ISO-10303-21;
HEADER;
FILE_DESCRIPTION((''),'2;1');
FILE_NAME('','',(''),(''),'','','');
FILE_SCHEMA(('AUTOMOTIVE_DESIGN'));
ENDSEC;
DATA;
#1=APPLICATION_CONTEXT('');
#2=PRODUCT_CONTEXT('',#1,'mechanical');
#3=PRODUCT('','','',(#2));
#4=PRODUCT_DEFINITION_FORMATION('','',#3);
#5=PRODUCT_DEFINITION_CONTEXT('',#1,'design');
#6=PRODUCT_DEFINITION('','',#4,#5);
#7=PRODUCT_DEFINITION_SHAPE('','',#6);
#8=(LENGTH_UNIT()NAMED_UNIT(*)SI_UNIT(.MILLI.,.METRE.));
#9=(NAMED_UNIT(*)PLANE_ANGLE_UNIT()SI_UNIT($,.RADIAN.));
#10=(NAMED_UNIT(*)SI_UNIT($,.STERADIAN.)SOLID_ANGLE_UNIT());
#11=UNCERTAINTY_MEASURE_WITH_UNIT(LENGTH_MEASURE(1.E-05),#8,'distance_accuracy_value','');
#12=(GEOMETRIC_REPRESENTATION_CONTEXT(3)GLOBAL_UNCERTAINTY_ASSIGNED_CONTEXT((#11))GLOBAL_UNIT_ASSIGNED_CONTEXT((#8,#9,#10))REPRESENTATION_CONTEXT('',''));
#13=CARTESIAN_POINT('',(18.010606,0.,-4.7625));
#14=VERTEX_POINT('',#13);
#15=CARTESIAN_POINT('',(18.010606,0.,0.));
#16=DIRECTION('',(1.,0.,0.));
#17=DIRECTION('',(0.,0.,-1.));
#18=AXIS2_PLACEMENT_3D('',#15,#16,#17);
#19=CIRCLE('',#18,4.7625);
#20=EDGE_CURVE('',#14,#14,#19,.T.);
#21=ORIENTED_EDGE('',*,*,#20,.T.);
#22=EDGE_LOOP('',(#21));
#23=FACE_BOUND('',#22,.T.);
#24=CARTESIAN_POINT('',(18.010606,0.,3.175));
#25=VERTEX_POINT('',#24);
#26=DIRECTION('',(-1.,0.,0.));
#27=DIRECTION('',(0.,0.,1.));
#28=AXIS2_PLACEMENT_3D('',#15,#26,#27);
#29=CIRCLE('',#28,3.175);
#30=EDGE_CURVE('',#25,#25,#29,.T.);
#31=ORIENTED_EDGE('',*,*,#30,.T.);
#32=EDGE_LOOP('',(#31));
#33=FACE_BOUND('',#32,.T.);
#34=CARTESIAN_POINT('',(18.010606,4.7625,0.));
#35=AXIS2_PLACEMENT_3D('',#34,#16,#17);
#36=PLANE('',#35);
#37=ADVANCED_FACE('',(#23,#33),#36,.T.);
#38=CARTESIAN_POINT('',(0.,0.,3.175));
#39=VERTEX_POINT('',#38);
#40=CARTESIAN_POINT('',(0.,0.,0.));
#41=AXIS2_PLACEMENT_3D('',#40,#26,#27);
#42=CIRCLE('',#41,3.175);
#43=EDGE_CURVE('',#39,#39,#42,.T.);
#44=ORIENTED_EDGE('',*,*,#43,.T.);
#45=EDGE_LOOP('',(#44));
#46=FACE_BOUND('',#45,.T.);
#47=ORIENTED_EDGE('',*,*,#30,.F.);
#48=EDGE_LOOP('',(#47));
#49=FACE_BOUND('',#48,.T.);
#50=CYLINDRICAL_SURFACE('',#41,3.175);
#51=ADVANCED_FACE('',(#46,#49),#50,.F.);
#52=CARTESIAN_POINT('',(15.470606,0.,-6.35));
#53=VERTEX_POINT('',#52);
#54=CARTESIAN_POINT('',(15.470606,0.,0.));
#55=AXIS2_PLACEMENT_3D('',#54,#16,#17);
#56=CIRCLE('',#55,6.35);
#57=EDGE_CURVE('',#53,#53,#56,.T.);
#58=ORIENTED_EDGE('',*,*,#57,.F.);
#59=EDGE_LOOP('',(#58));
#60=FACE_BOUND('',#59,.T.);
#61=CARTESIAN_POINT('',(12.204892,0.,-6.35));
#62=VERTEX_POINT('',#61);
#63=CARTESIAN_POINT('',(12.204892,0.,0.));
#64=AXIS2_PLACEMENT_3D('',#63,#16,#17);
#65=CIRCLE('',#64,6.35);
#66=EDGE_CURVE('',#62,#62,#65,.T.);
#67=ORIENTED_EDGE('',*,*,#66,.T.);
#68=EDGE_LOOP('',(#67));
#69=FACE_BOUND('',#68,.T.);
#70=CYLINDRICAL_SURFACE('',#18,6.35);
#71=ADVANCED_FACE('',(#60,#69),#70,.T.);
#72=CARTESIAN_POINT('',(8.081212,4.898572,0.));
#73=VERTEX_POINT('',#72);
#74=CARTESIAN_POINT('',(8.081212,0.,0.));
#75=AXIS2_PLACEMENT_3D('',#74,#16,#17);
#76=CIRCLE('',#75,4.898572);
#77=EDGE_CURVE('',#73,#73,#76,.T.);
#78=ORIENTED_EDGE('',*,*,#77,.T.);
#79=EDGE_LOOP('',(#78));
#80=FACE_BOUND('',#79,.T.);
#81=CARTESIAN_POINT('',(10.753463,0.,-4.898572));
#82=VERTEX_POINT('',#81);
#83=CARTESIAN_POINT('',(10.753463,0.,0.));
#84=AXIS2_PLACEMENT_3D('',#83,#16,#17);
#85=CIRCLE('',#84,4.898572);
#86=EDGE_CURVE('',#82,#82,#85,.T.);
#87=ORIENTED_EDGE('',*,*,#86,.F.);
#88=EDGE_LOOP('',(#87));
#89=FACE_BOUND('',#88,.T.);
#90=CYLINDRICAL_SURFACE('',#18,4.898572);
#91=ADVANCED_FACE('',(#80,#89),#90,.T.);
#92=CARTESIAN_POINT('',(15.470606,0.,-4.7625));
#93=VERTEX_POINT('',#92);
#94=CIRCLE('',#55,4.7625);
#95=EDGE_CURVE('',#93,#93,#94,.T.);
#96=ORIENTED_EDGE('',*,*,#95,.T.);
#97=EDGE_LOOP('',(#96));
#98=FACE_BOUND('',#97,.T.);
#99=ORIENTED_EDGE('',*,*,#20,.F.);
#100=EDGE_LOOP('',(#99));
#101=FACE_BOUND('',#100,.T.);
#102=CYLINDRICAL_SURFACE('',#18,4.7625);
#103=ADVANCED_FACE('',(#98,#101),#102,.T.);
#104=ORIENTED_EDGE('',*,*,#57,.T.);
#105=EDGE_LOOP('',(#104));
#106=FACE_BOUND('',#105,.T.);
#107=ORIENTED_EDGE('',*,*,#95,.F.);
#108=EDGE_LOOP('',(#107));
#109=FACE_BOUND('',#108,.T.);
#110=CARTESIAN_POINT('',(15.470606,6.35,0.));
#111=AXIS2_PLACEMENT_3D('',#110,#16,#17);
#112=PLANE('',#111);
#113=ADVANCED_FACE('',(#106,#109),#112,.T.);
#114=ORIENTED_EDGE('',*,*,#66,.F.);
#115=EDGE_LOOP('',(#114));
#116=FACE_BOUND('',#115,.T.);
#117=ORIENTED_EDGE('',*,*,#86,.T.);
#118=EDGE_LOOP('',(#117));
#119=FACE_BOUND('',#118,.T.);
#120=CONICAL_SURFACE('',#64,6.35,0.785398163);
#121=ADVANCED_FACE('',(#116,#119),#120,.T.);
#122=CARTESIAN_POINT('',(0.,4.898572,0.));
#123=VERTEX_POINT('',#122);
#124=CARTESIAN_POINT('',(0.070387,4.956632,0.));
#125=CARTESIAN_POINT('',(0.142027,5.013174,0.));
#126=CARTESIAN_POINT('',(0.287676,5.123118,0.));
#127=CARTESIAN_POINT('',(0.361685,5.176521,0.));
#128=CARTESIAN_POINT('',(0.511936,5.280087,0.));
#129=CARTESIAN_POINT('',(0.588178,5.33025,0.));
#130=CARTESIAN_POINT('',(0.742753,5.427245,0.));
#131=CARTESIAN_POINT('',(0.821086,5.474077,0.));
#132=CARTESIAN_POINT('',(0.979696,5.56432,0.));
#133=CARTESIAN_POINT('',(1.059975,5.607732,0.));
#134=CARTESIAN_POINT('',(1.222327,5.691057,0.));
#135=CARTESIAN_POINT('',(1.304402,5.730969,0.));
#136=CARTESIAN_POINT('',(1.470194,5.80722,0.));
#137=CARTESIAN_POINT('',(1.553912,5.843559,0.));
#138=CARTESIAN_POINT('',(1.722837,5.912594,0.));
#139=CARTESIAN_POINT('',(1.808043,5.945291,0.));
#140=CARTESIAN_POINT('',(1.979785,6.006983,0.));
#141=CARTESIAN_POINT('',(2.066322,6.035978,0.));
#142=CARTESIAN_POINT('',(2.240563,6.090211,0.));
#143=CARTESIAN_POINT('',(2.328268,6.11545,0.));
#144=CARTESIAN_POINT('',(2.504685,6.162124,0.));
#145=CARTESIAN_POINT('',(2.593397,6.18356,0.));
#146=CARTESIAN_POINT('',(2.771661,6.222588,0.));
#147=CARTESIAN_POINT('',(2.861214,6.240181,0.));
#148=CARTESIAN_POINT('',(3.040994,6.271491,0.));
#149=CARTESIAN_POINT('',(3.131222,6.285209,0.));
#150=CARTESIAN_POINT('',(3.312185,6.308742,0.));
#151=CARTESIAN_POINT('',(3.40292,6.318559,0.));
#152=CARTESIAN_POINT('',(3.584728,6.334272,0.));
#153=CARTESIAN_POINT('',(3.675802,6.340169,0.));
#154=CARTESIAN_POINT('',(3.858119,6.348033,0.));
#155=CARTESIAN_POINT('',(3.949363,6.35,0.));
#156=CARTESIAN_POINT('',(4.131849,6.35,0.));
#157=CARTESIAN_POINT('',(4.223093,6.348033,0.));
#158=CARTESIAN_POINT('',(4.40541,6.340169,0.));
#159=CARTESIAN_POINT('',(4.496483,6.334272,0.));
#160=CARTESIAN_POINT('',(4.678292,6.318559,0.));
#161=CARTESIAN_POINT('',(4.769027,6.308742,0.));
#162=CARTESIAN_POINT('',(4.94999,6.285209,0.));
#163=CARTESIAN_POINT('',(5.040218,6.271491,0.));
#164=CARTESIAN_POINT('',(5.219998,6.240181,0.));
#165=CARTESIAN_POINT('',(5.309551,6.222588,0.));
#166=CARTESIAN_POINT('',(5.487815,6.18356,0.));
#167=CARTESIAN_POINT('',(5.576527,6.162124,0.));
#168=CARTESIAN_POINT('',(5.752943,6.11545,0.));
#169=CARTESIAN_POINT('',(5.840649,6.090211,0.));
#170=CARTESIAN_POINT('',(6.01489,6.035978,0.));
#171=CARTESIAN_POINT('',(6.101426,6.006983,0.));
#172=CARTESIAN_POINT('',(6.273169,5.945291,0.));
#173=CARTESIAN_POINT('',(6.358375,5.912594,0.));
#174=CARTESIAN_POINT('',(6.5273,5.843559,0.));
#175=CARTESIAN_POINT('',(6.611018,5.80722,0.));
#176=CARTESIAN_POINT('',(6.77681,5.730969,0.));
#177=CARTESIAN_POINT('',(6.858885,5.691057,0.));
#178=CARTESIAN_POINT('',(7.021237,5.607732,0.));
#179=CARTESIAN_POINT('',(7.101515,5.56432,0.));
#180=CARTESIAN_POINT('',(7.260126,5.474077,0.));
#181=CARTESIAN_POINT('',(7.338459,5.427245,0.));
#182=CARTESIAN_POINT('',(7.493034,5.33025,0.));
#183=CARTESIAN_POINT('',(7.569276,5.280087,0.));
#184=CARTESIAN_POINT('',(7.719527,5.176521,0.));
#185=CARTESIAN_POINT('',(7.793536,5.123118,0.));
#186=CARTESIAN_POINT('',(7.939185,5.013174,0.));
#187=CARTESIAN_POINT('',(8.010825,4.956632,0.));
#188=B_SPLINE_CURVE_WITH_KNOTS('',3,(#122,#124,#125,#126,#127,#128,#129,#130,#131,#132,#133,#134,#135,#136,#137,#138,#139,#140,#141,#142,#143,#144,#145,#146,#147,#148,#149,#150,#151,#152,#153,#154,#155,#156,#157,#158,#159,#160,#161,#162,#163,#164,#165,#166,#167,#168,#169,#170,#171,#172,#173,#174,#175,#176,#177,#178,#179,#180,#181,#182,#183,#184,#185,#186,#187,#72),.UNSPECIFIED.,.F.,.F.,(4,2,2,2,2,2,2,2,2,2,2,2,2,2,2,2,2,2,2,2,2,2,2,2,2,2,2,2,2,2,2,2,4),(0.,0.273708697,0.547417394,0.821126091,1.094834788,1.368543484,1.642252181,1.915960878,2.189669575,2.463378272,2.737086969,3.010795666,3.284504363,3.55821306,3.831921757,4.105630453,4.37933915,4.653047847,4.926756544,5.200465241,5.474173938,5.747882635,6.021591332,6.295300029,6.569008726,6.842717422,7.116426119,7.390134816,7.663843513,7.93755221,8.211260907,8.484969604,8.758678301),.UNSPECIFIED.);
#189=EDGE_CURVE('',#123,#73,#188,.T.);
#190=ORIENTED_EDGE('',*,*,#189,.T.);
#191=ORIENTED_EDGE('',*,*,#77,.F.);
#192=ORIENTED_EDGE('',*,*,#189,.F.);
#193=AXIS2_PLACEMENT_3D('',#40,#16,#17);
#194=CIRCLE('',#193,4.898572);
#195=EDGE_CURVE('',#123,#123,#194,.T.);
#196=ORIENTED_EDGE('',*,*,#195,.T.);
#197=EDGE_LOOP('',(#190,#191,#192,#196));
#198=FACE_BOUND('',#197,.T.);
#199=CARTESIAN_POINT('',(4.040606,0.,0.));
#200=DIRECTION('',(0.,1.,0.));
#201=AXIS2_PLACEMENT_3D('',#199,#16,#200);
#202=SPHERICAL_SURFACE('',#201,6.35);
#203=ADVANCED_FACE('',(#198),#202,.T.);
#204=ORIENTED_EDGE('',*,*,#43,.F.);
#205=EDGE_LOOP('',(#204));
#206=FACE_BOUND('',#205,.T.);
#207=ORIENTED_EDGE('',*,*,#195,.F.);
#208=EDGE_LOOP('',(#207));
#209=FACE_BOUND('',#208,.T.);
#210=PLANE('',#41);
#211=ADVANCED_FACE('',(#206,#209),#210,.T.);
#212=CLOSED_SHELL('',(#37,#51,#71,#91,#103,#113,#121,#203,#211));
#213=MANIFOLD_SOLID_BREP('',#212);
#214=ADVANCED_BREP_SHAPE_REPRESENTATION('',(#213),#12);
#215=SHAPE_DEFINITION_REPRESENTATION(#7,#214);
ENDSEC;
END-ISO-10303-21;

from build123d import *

# Parameters (mm, degrees)
F_1_4_0_25_DIAMETER_HOLE1_D = 6.35


with BuildPart() as part:
    # Sketch1 → Revolve1 (revolve)
    with BuildSketch(Plane.XY):
        with BuildLine():
            Line((0, 0), (0, 4.89857161))
            ThreePointArc((0, 4.89857161), (4.040605918, 6.35), (8.081211835, 4.89857161))
            Line((8.081211835, 4.89857161), (10.753463242, 4.89857161))
            Line((10.753463242, 4.89857161), (12.204891632, 6.35))
            Line((12.204891632, 6.35), (15.470605918, 6.35))
            Line((15.470605918, 6.35), (15.470605918, 4.7625))
            Line((15.470605918, 4.7625), (18.010605918, 4.7625))
            Line((18.010605918, 4.7625), (18.010605918, 0))
            Line((18.010605918, 0), (0, 0))
        make_face()
    revolve(axis=Axis((18.010605918, 0, 0), (-1, 0, 0)))

    # 1/4 (0.25) Diameter Hole1 (through all)
    with Locations(Plane.ZY):
        with Locations((0, 0)):
            Hole(F_1_4_0_25_DIAMETER_HOLE1_D / 2)


solid = part.part
